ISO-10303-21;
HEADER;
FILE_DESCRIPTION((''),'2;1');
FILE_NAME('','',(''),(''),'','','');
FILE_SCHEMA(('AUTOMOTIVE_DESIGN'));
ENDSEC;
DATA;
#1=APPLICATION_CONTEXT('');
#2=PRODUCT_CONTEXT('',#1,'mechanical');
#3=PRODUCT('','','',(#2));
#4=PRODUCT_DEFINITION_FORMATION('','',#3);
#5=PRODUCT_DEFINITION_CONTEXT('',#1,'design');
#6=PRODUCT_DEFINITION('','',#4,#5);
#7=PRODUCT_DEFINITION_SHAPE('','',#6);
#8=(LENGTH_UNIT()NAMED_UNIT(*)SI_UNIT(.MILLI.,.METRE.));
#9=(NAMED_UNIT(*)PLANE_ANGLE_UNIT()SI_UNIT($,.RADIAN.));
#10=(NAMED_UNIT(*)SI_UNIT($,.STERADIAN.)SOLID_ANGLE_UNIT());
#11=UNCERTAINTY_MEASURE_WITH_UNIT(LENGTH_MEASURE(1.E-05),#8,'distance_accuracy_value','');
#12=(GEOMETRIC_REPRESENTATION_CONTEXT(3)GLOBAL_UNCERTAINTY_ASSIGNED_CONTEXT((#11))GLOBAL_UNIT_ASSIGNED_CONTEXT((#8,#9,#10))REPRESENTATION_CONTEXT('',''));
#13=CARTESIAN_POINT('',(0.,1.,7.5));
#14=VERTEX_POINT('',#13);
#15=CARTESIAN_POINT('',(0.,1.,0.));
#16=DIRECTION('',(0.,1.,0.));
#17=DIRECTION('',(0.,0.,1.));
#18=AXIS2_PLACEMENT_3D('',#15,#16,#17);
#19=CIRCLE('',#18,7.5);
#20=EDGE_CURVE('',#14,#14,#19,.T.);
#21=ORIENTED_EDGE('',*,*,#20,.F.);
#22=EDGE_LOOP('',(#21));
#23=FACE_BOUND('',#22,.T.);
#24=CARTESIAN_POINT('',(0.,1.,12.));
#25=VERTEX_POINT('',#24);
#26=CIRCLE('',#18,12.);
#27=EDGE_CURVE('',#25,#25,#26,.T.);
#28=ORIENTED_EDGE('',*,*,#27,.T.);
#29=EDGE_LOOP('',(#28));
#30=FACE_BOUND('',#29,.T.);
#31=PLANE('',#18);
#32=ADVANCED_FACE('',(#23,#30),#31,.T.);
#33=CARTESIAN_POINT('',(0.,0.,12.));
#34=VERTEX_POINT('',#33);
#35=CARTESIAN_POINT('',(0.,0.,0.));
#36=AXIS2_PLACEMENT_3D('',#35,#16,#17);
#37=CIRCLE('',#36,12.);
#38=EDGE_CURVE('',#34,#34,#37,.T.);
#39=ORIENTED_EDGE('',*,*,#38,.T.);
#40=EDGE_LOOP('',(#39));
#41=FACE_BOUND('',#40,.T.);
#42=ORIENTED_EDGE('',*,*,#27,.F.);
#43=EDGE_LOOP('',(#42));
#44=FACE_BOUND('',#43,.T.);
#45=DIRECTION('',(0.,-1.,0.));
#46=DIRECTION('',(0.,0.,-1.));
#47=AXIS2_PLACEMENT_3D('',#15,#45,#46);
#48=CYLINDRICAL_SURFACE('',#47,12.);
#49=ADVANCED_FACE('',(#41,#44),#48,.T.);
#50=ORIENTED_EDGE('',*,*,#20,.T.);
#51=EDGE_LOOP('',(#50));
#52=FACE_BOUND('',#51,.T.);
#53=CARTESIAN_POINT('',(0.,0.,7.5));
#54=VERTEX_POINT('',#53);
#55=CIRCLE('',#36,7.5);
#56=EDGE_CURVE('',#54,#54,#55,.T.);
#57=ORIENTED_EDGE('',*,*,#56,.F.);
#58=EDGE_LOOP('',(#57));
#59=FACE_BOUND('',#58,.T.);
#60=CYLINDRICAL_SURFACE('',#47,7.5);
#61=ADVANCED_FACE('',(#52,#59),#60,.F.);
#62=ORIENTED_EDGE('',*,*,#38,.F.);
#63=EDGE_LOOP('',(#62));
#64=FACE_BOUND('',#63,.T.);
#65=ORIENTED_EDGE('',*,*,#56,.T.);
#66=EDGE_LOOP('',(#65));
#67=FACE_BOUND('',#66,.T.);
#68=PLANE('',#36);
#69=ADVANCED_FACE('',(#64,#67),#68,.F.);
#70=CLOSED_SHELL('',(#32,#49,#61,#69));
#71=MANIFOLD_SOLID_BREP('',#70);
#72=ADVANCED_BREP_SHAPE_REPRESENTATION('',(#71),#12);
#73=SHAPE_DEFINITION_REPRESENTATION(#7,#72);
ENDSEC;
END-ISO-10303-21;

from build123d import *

# Parameters (mm, degrees)
SKETCH1_R         = 12
SKETCH1_R_2       = 7.5
PDMS_GASKET_DEPTH = 1


with BuildPart() as part:
    # Sketch1 → PDMS Gasket (new body)
    with BuildSketch(Plane(origin=(0, 0, 0), x_dir=(1, 0, 0), z_dir=(0, 1, 0))):
        Circle(SKETCH1_R)
        Circle(SKETCH1_R_2, mode=Mode.SUBTRACT)
    extrude(amount=PDMS_GASKET_DEPTH)


solid = part.part
